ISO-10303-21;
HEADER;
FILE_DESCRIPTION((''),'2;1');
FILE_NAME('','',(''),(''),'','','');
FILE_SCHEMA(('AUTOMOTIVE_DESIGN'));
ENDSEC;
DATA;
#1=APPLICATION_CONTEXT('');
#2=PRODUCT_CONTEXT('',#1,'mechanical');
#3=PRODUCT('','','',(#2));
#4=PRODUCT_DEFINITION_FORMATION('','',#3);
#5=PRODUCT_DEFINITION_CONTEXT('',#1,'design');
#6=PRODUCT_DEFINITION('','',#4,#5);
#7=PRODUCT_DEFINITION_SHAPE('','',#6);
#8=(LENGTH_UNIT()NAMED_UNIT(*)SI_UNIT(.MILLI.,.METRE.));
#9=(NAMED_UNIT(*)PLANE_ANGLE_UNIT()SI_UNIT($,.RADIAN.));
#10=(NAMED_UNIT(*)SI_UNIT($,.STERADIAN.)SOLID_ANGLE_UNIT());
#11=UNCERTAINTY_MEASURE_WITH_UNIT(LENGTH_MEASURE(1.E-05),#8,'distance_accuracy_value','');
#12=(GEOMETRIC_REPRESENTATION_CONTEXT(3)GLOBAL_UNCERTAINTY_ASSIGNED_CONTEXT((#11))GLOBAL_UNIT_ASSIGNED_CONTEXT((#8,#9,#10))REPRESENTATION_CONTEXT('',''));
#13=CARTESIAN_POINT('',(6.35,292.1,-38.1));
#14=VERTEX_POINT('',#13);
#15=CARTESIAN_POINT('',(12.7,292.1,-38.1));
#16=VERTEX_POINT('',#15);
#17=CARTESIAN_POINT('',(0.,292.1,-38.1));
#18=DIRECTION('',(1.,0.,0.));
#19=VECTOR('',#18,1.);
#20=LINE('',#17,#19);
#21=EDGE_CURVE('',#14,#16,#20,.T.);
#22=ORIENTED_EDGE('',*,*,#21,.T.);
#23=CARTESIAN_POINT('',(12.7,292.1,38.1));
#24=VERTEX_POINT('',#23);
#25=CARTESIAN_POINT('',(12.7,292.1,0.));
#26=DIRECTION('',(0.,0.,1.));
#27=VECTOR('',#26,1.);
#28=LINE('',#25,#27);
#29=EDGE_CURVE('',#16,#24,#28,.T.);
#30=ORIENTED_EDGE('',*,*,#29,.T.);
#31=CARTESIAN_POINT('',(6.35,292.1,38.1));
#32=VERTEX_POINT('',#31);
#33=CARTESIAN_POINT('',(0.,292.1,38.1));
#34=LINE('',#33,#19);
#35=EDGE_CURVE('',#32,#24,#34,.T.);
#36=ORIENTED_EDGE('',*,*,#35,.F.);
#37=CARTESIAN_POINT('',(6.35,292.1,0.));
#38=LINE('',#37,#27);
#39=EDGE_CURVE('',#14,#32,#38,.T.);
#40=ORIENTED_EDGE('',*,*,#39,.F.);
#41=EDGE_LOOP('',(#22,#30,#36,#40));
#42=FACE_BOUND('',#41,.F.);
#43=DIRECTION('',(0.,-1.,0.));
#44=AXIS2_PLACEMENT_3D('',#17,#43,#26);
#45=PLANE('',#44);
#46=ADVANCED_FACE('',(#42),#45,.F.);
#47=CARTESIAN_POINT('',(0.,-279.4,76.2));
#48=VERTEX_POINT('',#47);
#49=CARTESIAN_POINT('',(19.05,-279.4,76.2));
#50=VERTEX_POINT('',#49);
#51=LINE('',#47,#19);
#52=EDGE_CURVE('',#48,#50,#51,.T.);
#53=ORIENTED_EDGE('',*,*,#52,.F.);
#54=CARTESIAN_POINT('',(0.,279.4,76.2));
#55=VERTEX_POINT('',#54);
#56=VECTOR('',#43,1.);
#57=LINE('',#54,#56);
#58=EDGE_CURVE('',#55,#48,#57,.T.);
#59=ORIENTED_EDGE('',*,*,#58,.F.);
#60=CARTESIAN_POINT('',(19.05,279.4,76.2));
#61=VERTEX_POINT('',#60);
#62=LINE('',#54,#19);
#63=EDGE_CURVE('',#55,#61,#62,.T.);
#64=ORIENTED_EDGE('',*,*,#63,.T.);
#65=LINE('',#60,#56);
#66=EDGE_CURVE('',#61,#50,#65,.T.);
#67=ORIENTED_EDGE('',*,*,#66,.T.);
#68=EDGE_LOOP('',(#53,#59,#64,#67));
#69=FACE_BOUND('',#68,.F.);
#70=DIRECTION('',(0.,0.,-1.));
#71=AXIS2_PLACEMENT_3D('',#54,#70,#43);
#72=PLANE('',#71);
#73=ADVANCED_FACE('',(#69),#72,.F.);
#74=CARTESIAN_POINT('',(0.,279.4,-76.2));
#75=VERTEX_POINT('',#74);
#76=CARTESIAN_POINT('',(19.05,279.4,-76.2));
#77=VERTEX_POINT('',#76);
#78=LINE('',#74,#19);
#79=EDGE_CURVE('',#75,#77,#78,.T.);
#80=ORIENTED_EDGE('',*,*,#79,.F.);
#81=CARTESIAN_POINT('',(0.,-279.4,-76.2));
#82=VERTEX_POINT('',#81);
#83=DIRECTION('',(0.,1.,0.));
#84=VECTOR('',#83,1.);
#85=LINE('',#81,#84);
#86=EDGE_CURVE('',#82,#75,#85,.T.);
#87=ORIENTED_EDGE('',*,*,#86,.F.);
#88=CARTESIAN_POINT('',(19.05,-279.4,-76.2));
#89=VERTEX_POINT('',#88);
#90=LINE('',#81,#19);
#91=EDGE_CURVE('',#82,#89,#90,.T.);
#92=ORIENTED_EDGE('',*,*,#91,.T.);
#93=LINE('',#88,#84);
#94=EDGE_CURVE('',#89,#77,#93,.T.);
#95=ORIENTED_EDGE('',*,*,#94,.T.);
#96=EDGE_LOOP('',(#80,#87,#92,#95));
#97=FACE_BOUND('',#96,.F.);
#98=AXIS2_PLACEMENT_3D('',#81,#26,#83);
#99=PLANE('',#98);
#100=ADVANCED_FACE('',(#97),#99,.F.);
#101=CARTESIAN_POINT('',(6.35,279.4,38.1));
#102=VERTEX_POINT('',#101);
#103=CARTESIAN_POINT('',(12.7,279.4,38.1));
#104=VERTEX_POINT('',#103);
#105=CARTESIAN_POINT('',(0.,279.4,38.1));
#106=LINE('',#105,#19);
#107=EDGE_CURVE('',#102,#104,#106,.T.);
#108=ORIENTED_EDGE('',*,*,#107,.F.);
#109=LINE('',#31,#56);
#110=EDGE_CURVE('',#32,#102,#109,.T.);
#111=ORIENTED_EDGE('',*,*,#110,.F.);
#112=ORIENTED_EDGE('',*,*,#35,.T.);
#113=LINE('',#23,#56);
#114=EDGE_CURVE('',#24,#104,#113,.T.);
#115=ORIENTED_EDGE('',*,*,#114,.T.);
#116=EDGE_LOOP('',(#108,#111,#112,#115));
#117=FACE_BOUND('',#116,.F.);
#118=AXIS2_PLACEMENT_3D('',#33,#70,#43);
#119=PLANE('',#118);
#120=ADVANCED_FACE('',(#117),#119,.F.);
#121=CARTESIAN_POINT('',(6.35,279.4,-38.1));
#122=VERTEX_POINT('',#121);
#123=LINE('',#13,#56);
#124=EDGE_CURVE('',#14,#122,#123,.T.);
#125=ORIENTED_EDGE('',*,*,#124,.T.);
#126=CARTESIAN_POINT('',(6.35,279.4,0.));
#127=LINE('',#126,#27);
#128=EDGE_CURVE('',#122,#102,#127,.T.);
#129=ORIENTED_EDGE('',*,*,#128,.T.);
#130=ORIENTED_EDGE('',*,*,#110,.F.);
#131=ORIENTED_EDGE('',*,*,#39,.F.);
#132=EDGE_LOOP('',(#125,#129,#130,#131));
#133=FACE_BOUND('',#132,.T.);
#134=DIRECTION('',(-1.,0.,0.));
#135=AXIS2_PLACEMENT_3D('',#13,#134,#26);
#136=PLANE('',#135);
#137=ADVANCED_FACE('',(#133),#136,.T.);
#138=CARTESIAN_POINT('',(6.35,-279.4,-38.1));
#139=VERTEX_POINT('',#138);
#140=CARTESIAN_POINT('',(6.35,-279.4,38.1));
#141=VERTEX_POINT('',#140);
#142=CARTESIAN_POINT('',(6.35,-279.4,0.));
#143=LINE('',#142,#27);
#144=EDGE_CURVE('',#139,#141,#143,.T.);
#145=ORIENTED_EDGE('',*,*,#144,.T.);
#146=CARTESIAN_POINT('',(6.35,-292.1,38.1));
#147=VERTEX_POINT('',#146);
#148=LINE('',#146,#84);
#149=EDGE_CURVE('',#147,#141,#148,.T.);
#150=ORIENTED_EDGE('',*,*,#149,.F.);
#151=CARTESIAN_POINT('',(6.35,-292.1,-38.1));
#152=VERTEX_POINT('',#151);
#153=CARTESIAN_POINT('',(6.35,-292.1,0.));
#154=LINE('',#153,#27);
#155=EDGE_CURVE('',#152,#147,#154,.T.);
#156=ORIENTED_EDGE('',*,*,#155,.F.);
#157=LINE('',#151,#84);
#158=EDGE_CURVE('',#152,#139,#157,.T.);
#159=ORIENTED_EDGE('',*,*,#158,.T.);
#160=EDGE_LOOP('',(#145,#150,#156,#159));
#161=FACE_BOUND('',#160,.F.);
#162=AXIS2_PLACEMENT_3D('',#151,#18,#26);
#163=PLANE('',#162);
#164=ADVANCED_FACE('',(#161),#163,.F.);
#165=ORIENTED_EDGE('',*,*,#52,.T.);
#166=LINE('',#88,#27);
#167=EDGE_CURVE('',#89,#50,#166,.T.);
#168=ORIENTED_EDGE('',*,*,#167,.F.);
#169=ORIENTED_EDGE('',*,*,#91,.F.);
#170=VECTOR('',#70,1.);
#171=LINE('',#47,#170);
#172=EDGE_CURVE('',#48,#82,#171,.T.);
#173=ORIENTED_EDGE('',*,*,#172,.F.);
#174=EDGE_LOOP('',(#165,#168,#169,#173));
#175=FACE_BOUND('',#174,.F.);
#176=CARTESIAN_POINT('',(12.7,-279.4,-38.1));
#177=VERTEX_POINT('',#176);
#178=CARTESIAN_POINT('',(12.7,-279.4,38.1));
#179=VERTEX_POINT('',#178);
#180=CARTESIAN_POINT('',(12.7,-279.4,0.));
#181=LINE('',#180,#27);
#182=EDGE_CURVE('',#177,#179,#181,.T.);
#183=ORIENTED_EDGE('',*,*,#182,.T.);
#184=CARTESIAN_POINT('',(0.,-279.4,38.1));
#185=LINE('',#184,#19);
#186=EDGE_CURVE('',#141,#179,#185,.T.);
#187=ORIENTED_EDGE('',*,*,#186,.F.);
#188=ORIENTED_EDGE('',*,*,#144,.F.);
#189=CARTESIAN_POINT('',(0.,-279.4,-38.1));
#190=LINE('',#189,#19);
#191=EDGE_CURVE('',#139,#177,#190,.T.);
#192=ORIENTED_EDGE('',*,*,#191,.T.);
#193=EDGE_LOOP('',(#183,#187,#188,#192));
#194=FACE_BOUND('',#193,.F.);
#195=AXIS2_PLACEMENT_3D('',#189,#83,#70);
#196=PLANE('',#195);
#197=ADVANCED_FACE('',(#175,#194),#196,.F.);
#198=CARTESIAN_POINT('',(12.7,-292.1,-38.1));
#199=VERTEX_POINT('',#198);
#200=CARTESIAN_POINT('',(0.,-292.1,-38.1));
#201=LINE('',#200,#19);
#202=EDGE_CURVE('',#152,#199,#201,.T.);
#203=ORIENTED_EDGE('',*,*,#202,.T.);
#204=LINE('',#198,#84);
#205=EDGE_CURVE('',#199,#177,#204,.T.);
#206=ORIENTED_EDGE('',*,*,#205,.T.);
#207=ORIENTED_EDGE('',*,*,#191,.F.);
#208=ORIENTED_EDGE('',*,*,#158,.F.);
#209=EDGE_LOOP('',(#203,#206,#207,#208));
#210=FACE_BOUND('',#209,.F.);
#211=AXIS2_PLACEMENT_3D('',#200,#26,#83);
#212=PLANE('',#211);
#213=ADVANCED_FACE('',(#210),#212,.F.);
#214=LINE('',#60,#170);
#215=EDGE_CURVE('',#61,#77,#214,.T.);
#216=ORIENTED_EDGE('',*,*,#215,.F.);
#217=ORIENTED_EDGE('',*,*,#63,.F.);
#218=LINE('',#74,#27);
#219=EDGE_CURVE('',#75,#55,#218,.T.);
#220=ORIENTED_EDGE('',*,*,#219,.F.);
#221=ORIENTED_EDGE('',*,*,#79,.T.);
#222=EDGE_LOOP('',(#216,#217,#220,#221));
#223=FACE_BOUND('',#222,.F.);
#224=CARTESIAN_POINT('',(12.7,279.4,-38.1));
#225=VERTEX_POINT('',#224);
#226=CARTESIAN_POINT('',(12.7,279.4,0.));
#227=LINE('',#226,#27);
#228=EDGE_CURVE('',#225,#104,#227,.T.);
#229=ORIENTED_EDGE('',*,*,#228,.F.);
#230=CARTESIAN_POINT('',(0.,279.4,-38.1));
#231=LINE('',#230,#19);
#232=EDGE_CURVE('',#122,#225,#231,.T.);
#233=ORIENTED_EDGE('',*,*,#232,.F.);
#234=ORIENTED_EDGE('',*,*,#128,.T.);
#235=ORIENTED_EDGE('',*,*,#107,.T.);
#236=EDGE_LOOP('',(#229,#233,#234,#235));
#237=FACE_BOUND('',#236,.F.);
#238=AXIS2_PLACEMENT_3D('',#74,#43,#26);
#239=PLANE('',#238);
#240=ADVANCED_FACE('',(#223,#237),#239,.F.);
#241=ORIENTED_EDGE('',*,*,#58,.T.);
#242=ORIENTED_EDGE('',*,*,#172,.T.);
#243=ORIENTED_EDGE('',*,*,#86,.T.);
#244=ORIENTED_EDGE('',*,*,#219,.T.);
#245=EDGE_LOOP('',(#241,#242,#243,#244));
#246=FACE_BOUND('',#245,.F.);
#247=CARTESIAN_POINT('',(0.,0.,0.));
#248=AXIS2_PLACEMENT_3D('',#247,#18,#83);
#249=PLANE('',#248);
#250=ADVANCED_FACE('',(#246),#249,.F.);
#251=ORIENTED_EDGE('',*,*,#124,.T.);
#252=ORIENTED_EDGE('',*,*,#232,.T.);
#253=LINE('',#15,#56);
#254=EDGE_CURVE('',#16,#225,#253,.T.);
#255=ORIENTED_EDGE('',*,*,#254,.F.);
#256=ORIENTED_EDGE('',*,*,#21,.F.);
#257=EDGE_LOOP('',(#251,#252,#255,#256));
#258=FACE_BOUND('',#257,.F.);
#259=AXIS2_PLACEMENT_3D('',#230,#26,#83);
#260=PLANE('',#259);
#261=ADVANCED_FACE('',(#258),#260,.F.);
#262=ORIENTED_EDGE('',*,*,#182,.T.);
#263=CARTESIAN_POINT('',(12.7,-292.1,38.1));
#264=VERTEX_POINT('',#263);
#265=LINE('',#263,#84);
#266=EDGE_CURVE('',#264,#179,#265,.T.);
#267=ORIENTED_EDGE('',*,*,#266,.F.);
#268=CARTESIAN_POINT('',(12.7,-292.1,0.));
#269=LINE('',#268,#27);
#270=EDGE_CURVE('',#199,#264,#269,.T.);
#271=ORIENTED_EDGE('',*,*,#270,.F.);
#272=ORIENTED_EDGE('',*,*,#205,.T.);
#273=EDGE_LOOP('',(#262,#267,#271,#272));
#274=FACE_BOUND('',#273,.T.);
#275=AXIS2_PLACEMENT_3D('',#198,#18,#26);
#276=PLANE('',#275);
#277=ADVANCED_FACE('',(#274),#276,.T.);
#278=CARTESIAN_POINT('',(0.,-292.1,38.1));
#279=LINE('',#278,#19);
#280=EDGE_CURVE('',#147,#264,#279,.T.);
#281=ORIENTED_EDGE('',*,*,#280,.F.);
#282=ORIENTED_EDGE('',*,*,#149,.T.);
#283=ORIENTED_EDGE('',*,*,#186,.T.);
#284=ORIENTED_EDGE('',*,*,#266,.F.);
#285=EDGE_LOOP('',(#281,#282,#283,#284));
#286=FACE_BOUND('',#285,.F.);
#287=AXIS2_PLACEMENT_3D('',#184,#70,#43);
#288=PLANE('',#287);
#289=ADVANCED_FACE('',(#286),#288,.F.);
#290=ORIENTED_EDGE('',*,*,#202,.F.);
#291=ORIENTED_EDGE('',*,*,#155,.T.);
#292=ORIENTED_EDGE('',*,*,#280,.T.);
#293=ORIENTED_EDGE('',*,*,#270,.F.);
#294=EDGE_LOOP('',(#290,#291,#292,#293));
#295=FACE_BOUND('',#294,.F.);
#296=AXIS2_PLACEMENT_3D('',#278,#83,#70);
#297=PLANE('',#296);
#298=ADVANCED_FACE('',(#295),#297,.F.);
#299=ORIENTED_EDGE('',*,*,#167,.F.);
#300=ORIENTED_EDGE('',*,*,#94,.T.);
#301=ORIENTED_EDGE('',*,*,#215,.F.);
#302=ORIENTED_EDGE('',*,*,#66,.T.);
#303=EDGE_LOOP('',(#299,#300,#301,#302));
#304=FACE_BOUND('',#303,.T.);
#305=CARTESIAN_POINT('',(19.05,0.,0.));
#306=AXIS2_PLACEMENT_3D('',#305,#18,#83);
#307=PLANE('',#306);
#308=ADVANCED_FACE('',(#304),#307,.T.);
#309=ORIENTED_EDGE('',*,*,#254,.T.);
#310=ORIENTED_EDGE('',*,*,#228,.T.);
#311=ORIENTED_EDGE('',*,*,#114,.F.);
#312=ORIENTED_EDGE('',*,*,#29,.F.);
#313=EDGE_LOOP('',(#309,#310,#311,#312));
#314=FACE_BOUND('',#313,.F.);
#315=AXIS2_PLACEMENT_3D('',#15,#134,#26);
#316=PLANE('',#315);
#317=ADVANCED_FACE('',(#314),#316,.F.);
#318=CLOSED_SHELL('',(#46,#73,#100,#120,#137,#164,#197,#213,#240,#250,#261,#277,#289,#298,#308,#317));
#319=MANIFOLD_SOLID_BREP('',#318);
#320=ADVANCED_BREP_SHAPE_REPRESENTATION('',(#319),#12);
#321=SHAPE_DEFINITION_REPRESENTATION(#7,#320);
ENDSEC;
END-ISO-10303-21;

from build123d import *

# Parameters (mm, degrees)
F1_DEPTH = 19.05
F2_W     = 6.35
F2_H     = 76.2
F3_DEPTH = 12.7
F4_W     = 6.35
F4_H     = 76.2
F5_DEPTH = 12.7


with BuildPart() as f1:
    # F0 (on Right) → F1 (new body)
    with BuildSketch(Plane.YZ):
        Polygon((-279.4, -76.2), (279.4, -76.2), (279.4, -38.1), (292.1, -38.1), (292.1, 38.1), (279.4, 38.1), (279.4, 76.2), (-279.4, 76.2), (-279.4, 38.1), (-292.1, 38.1), (-292.1, -38.1), (-279.4, -38.1), align=None)
    extrude(amount=F1_DEPTH)

    # F2 (on face) → F3 (cut)
    with BuildSketch(Plane.XZ.offset(292.1)):
        with Locations((15.875, 0)):
            Rectangle(F2_W, F2_H)
        with Locations((3.175, 0)):
            Rectangle(F2_W, F2_H)
    extrude(amount=-F3_DEPTH, mode=Mode.SUBTRACT)

    # F4 (on face) → F5 (cut)
    with BuildSketch(Plane(origin=(0, 292.1, 0), x_dir=(-1, 0, 0), z_dir=(0, 1, 0))):
        with Locations((-3.175, 0)):
            Rectangle(F4_W, F4_H)
        with Locations((-15.875, 0)):
            Rectangle(F4_W, F4_H)
    extrude(amount=-F5_DEPTH, mode=Mode.SUBTRACT)


solid = f1.part
